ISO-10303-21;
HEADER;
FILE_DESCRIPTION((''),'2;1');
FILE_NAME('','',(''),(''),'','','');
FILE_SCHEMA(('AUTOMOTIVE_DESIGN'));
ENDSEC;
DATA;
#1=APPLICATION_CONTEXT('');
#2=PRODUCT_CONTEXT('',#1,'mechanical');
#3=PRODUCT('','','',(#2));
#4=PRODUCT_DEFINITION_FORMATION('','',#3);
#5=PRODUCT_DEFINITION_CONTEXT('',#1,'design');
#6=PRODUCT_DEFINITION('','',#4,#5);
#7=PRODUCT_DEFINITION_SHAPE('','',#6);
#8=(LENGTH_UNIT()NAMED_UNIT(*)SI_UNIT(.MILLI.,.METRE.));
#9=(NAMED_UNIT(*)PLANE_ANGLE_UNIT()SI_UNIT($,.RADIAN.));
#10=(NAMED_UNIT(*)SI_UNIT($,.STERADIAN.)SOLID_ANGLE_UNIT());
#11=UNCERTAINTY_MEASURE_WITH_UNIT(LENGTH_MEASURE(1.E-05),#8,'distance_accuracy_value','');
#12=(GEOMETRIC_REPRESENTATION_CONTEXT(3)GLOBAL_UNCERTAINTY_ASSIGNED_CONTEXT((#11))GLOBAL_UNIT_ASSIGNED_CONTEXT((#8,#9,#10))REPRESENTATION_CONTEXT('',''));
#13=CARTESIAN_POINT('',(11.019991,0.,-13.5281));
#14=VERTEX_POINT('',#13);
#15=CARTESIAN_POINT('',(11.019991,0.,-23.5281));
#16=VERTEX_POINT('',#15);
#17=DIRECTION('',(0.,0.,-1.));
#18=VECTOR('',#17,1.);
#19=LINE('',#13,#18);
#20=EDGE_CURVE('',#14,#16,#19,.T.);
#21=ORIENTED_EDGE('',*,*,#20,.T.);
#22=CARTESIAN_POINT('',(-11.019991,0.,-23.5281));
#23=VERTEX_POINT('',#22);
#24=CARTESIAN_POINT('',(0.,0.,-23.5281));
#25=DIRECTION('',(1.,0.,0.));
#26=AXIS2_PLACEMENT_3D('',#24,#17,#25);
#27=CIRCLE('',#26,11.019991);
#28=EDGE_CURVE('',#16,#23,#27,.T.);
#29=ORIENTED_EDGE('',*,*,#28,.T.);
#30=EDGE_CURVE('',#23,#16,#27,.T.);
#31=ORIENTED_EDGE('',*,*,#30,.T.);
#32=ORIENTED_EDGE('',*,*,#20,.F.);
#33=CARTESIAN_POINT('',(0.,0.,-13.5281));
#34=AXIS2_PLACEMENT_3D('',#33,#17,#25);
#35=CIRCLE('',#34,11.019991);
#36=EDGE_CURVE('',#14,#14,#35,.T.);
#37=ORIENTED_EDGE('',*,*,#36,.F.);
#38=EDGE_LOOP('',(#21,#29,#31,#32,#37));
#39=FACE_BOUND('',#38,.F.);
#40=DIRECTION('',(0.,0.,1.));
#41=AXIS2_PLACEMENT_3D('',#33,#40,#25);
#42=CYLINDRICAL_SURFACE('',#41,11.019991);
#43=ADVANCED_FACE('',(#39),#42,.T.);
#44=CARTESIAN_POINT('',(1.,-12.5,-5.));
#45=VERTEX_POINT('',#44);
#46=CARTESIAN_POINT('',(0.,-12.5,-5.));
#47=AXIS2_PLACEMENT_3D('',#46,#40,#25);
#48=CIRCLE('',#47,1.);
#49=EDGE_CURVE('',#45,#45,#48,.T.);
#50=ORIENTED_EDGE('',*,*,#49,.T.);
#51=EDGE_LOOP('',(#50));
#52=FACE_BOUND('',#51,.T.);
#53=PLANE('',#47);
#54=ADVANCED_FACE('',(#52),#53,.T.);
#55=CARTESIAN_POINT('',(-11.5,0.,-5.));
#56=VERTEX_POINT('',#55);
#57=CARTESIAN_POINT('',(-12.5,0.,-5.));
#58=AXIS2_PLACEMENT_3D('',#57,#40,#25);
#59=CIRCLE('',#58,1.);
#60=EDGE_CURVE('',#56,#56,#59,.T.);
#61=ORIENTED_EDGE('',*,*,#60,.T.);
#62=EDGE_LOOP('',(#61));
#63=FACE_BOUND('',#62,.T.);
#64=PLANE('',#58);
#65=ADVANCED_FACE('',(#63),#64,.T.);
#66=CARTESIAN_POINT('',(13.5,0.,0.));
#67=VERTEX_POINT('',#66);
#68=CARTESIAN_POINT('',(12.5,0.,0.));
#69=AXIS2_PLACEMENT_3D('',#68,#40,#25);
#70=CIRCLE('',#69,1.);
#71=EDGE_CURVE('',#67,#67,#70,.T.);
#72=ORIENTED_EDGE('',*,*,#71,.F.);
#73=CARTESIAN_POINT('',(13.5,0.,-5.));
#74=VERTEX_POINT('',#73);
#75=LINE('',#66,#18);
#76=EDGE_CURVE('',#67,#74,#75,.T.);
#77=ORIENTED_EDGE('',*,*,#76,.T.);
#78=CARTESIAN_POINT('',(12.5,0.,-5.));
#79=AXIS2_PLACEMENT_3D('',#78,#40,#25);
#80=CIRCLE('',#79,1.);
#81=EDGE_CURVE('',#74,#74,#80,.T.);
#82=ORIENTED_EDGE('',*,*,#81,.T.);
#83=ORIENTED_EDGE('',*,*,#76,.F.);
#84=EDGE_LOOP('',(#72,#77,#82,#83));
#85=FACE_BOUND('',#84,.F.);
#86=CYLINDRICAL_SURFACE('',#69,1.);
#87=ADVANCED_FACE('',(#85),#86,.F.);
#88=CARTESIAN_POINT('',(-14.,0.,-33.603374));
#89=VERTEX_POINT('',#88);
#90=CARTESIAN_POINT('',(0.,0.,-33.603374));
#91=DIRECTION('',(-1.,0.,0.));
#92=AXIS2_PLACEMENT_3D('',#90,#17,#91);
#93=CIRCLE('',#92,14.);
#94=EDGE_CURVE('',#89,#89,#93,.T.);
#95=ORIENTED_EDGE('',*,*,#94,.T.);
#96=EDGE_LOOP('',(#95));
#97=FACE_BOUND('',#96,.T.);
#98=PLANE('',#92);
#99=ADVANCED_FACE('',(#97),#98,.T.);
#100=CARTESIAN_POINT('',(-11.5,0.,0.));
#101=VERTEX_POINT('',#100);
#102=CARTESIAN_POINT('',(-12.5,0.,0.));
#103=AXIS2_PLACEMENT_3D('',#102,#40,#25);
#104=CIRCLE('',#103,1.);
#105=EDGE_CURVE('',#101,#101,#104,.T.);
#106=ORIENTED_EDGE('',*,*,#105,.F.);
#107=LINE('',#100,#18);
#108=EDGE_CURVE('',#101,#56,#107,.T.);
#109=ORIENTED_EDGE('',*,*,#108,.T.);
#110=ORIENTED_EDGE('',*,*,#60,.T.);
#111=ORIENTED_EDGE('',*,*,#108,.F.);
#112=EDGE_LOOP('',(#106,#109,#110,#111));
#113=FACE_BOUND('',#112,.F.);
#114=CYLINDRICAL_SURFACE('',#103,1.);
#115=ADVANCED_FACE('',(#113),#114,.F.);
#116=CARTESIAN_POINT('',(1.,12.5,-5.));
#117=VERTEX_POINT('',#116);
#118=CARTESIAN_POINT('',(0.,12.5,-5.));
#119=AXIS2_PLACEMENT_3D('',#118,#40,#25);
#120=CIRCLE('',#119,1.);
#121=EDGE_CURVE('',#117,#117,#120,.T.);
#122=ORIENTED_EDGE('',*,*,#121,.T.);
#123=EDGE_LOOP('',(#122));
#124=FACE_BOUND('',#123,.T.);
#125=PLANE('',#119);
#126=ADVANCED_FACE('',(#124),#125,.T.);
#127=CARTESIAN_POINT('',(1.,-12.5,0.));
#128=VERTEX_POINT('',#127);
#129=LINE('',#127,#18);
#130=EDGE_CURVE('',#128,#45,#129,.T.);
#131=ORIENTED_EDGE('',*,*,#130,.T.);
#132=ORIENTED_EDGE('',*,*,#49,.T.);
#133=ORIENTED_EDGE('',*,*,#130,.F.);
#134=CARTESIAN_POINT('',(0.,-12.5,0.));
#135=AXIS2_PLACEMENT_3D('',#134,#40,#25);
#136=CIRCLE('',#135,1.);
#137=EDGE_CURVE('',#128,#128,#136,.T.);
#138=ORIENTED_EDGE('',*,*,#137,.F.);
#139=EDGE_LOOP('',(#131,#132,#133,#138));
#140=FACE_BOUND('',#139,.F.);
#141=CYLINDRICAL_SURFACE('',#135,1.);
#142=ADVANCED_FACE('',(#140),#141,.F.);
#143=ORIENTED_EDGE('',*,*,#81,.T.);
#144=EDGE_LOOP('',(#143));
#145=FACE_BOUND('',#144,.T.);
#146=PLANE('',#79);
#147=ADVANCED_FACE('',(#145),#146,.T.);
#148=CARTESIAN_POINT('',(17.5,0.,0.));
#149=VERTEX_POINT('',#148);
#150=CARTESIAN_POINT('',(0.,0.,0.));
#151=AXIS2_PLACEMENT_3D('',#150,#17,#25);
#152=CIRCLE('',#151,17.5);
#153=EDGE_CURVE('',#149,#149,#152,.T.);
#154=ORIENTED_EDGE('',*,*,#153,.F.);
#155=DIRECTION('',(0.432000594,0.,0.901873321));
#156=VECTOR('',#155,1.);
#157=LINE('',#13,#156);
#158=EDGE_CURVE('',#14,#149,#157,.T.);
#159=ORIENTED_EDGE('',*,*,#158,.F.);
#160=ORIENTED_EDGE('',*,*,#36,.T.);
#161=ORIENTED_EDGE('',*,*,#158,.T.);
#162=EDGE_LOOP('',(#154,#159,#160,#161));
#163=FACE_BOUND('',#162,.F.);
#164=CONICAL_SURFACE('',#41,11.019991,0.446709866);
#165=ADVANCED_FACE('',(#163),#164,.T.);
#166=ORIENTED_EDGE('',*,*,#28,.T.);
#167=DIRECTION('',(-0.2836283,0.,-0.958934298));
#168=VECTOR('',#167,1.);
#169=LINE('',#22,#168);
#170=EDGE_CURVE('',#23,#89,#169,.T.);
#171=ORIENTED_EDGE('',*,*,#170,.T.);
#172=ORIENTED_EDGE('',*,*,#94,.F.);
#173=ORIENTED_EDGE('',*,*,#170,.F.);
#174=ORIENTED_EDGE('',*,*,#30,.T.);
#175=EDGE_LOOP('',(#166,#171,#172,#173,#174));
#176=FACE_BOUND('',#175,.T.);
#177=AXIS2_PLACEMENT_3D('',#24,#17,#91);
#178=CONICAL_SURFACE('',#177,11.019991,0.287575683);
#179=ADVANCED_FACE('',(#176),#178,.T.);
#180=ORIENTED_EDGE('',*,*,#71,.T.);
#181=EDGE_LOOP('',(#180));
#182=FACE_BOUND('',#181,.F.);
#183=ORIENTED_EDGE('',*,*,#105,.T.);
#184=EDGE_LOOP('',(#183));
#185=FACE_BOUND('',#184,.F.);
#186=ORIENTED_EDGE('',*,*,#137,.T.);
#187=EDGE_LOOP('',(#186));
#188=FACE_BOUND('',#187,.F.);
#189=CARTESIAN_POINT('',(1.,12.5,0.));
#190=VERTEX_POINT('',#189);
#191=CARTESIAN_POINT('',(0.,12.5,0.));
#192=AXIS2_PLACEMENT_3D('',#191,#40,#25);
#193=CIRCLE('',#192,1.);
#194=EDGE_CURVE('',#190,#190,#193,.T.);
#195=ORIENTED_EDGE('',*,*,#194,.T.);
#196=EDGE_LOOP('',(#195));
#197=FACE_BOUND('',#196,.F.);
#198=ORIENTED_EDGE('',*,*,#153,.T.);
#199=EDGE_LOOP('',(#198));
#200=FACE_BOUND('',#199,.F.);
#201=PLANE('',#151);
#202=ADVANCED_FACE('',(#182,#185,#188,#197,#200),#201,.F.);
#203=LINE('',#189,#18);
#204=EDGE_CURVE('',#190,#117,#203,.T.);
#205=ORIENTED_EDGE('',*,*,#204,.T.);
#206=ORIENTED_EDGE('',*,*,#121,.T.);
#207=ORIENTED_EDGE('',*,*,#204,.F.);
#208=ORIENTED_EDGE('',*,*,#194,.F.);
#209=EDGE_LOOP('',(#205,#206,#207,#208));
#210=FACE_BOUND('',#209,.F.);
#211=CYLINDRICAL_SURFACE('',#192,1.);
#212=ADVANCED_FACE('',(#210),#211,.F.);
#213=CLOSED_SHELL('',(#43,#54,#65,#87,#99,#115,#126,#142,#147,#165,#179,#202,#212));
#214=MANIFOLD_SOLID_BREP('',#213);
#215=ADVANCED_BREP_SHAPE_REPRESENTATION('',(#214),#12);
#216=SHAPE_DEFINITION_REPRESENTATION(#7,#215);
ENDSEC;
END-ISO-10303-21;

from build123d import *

# Parameters (mm, degrees)
F2_R     = 1
F3_DEPTH = 5
F4_R     = 11.019991
F5_DEPTH = 10


with BuildPart() as f1:
    # F0 (on Front) → F1 (revolve)
    with BuildSketch(Plane.XZ):
        Polygon((17.5, 0), (0, 0), (0, -13.5281), (11.019991, -13.5281), align=None)
    revolve(axis=Axis((0, 0, -6.76405), (0, 0, -1)))

    # F2 (on face) → F3 (cut)
    with BuildSketch(Plane.XY):
        with Locations((0, 12.5)):
            Circle(F2_R)
        with Locations((-12.5, 0)):
            Circle(F2_R)
        with Locations((12.5, 0)):
            Circle(F2_R)
        with Locations((0, -12.5)):
            Circle(F2_R)
    extrude(amount=-F3_DEPTH, mode=Mode.SUBTRACT)

    # F4 (on face) → F5 (join)
    with BuildSketch(Plane(origin=(0, 0, -13.5281), x_dir=(1, 0, 0), z_dir=(0, 0, -1))):
        Circle(F4_R)
    extrude(amount=F5_DEPTH)

    # F6 (on Front) → F7 (revolve)
    with BuildSketch(Plane.XZ):
        Polygon((0, -23.5281), (-11.019991, -23.5281), (-14, -33.603374), (0, -33.603374), align=None)
    revolve(axis=Axis((0, 0, -28.565737), (0, 0, -1)))


solid = f1.part
